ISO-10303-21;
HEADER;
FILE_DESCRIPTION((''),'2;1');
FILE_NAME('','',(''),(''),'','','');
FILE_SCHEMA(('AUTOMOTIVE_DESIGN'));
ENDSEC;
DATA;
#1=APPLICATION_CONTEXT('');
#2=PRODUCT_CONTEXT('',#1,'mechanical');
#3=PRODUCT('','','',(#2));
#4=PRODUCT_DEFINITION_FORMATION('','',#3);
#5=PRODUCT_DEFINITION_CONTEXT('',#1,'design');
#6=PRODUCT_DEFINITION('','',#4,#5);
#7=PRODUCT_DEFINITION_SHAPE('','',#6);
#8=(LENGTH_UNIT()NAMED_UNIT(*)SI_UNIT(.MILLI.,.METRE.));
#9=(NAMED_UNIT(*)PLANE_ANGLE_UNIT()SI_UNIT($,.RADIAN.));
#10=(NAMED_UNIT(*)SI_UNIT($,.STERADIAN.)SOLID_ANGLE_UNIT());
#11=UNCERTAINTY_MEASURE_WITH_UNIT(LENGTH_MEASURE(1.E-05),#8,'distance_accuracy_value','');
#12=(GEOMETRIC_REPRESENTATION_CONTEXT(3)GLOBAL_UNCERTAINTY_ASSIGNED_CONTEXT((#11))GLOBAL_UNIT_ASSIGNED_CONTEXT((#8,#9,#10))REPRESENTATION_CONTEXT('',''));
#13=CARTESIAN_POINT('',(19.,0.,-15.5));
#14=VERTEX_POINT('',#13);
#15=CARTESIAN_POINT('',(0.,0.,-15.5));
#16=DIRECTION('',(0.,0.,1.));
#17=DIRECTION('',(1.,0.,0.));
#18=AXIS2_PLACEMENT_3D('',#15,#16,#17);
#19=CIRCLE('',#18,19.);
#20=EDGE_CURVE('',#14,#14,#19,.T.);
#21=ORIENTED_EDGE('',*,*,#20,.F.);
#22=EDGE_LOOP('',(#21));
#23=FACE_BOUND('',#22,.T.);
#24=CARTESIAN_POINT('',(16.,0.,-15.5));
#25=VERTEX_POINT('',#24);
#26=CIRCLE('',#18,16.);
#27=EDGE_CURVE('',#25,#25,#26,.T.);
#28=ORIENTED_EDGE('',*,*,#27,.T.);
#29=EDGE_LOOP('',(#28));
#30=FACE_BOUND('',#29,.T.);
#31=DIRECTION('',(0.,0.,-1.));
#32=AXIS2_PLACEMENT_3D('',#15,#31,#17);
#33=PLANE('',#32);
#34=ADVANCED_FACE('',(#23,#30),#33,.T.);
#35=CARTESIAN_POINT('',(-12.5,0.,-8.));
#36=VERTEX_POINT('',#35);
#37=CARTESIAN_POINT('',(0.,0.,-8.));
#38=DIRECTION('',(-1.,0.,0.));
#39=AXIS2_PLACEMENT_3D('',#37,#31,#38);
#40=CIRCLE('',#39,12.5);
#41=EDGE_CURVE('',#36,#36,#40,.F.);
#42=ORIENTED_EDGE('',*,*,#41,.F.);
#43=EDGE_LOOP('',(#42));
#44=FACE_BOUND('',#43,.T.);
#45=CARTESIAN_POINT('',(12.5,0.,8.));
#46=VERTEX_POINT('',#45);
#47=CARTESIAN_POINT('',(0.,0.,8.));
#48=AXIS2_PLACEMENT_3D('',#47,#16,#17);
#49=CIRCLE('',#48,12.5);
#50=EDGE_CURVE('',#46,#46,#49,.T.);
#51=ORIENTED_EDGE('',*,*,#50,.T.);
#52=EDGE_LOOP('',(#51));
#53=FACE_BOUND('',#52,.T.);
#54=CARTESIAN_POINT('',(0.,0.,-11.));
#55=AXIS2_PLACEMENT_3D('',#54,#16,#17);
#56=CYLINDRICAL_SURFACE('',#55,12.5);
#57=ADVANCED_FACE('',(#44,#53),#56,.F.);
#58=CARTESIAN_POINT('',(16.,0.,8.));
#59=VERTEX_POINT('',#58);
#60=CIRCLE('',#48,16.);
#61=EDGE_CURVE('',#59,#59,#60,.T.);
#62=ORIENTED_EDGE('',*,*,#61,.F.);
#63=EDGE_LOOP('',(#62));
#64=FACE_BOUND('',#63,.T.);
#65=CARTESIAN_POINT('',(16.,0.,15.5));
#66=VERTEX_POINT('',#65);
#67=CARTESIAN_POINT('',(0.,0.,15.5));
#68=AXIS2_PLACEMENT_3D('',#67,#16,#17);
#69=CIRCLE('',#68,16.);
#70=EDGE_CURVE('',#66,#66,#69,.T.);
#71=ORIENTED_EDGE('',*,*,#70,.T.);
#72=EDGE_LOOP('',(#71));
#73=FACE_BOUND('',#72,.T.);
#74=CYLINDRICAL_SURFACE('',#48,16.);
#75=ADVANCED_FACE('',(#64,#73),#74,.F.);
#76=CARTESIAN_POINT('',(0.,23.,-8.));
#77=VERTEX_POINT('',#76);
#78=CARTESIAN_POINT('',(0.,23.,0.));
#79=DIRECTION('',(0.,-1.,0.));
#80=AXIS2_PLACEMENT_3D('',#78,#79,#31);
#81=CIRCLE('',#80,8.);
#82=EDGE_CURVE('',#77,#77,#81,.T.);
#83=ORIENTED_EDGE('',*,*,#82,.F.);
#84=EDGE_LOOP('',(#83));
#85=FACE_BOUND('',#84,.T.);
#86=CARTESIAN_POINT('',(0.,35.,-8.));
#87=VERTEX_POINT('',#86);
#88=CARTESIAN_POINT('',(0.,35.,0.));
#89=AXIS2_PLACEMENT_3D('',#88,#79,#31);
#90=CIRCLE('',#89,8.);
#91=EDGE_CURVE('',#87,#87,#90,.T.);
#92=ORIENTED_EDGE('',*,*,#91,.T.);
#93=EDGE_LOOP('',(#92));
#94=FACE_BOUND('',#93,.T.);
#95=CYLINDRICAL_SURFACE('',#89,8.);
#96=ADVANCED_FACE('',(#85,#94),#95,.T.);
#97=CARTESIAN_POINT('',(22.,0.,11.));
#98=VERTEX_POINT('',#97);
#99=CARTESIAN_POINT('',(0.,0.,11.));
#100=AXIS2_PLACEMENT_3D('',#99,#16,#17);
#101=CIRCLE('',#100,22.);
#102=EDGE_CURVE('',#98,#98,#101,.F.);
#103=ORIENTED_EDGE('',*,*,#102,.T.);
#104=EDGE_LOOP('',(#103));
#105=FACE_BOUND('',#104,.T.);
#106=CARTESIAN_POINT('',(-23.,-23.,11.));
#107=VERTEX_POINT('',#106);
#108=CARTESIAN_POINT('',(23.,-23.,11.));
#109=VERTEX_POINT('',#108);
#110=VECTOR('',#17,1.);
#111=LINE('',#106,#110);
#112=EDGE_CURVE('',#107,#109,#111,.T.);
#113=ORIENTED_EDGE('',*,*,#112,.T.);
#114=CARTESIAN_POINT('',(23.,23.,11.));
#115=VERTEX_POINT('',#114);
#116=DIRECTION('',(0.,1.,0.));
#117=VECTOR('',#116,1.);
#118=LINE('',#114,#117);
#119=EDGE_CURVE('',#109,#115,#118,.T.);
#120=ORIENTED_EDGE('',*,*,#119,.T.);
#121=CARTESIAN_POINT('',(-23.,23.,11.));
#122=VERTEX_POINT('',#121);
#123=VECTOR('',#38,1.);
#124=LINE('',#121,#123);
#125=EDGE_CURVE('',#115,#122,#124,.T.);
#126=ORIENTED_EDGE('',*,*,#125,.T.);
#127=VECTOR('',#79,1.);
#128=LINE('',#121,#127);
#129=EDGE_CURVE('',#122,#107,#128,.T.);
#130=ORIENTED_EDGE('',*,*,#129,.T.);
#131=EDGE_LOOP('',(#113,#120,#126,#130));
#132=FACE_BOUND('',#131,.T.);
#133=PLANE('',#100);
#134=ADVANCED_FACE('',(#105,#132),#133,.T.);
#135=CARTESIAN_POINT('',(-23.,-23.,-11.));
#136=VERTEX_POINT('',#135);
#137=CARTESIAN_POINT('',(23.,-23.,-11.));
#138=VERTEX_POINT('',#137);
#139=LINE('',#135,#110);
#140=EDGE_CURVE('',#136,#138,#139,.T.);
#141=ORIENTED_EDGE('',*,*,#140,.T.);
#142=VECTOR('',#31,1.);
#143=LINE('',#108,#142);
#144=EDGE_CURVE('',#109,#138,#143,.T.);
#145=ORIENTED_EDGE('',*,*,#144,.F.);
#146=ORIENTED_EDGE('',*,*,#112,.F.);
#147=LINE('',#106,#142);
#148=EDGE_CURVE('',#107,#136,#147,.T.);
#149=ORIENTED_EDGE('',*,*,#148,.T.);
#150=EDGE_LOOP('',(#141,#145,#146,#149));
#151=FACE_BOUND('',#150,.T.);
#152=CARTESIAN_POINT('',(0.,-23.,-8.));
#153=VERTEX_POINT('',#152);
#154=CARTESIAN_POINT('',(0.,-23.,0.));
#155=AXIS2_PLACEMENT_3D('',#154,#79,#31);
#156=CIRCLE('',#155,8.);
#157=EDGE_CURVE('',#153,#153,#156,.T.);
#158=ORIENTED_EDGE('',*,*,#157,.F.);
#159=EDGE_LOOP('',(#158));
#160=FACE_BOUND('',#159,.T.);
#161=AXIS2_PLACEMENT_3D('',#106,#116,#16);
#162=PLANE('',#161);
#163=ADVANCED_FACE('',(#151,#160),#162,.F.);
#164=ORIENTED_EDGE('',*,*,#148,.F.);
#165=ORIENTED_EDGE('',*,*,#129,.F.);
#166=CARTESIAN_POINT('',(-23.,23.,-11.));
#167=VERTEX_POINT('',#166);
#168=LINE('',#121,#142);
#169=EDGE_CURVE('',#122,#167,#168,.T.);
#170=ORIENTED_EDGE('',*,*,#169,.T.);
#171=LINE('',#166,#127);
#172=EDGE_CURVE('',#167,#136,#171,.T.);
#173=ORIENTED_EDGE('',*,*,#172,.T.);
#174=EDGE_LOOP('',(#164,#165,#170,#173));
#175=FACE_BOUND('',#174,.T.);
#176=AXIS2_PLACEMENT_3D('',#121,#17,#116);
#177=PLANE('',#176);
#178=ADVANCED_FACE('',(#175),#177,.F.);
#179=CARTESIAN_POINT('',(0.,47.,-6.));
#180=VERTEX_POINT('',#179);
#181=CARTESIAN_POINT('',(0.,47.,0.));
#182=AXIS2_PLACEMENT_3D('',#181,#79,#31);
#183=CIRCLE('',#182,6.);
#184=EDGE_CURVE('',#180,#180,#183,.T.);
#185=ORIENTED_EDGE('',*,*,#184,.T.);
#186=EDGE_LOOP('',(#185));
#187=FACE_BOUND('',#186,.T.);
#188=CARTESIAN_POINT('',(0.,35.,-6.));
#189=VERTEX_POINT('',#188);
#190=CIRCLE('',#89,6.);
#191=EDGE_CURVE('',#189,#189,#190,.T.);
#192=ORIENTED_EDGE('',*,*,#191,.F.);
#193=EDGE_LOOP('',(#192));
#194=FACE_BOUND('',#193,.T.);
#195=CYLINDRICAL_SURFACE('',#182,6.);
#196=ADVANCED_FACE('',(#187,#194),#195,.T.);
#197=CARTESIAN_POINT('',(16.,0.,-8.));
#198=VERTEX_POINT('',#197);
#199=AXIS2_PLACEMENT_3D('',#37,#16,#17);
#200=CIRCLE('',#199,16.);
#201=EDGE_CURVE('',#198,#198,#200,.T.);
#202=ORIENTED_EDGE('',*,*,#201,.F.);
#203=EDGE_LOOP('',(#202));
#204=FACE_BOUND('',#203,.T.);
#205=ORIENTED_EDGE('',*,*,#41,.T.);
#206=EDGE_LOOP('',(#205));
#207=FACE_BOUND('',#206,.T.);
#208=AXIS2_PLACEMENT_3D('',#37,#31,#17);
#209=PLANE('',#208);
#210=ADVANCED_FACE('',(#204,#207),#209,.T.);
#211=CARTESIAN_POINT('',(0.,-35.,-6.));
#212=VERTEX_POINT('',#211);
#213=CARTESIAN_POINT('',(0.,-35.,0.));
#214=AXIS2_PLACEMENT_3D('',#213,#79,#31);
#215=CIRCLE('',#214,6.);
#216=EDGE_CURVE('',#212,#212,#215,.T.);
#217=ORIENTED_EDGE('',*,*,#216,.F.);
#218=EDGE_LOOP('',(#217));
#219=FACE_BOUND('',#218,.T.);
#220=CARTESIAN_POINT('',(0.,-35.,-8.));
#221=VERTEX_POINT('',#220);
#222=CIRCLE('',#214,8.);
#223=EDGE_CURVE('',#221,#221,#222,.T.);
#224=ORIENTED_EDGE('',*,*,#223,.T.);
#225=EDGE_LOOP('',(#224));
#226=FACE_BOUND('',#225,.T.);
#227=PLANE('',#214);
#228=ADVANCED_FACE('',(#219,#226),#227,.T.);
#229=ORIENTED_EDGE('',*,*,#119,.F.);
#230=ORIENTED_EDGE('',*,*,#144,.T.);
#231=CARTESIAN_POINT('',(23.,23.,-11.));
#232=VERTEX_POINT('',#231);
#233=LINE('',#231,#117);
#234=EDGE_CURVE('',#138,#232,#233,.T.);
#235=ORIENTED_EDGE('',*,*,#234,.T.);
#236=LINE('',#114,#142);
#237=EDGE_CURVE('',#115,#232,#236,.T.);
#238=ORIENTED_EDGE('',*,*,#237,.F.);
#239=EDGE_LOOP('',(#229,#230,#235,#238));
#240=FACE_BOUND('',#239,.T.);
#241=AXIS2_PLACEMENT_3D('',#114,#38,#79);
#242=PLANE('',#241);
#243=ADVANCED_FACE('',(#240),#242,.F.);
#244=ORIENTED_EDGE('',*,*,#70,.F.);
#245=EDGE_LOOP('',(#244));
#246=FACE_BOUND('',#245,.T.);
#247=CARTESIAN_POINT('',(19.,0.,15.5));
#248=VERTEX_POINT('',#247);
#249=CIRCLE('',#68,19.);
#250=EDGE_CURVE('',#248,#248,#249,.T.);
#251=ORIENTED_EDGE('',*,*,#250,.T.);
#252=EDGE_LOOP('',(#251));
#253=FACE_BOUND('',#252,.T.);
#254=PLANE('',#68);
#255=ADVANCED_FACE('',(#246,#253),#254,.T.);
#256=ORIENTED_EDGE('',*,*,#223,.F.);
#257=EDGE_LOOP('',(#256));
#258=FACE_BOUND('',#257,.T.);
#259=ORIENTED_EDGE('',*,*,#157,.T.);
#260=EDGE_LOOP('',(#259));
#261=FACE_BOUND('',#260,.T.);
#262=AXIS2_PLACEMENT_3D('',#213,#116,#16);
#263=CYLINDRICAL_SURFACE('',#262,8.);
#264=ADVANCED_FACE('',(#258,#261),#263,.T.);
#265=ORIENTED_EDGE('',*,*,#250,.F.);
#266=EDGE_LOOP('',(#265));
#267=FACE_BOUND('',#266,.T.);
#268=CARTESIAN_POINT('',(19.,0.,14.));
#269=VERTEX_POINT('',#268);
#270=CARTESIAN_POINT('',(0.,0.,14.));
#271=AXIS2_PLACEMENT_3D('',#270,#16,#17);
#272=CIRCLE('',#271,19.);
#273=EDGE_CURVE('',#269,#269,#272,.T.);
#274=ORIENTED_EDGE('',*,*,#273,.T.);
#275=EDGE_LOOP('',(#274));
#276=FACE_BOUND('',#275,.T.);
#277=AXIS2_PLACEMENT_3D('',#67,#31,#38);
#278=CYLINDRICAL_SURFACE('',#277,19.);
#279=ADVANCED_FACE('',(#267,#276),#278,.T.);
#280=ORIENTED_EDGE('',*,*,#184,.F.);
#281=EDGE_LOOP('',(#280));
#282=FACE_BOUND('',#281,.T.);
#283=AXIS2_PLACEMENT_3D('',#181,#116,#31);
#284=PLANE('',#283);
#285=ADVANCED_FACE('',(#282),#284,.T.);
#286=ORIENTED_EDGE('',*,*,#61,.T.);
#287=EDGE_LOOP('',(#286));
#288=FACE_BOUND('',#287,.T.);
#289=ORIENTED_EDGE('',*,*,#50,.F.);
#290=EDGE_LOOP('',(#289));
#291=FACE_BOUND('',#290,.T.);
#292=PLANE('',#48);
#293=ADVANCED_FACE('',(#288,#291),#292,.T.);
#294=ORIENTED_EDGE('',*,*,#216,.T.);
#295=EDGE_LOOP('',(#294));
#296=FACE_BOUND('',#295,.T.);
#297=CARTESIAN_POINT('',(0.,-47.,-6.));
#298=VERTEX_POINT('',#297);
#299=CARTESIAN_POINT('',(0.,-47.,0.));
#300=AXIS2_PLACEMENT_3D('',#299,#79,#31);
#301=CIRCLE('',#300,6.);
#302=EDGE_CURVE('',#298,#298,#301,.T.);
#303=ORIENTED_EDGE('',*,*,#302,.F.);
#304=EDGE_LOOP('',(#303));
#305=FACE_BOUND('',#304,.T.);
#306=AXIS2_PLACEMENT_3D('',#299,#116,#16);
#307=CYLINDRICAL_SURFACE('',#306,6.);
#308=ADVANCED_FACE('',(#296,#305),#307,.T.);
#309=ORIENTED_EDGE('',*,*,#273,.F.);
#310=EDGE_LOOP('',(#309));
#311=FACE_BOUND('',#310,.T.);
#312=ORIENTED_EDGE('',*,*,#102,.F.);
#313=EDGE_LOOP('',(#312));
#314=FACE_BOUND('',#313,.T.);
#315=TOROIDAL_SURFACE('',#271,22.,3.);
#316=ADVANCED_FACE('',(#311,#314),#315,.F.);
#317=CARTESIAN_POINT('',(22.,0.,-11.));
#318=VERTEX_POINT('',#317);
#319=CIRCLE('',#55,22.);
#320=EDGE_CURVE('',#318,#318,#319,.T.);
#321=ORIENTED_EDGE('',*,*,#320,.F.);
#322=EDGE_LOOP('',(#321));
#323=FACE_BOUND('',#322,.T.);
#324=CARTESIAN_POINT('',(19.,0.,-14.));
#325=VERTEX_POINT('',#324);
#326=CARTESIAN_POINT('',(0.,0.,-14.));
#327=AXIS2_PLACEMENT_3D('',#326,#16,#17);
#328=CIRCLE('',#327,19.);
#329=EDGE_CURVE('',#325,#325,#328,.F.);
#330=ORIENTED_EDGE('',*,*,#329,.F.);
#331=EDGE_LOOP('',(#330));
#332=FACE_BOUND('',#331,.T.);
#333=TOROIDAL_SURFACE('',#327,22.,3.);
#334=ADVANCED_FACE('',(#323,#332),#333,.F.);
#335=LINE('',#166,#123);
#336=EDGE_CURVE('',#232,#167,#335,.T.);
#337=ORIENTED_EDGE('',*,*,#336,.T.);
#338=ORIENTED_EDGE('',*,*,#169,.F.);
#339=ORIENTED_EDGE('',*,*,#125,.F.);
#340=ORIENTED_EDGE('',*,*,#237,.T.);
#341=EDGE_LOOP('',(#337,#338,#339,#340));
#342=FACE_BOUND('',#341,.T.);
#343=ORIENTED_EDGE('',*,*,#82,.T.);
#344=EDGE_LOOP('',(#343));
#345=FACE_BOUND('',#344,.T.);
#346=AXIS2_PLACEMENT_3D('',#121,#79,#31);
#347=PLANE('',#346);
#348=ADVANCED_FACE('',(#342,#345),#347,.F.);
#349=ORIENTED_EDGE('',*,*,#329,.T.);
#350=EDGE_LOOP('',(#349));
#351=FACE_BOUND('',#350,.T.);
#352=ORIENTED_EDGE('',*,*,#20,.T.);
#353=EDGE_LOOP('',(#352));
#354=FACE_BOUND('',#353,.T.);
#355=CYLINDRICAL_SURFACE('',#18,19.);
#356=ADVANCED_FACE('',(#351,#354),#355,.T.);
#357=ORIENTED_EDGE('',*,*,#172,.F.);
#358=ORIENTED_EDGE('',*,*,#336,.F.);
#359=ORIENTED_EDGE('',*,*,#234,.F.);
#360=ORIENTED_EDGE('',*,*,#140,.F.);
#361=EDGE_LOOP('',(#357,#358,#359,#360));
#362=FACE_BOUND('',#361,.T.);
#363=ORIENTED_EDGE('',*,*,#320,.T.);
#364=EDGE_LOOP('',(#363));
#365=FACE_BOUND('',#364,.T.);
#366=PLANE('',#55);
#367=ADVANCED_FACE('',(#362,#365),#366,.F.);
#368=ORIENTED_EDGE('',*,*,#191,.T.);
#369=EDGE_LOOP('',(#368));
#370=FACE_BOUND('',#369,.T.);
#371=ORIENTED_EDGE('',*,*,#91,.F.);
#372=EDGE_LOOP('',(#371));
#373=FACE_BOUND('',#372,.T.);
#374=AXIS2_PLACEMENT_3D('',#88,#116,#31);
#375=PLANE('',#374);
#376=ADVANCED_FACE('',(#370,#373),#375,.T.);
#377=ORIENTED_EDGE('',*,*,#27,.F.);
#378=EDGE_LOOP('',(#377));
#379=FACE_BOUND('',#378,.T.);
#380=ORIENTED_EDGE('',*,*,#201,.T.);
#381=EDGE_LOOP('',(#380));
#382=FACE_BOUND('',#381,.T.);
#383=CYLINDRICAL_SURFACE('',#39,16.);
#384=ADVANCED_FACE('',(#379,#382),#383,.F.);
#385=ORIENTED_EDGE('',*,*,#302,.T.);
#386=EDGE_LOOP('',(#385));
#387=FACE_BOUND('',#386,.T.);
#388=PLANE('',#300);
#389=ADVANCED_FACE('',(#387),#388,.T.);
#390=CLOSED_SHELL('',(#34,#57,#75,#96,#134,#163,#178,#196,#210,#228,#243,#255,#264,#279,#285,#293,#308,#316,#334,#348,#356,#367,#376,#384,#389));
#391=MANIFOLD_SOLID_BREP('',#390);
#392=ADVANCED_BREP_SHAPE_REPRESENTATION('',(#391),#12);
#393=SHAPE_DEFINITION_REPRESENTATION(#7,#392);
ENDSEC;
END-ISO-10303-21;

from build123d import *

# Parameters (mm, degrees)
SKETCH1_W           = 46
SKETCH1_H           = 46
BOSS_EXTRUDE1_DEPTH = 11
SKETCH2_R           = 16
CUT_EXTRUDE1_DEPTH  = 3
SKETCH3_R           = 12.5
CUT_EXTRUDE2_DEPTH  = 38.669616404
SKETCH4_R           = 8
BOSS_EXTRUDE2_DEPTH = 12
SKETCH6_R           = 19
BOSS_EXTRUDE5_DEPTH = 4.5
SKETCH8_R           = 16
CUT_EXTRUDE6_DEPTH  = 7.5
FILLET1_R           = 3
SKETCH9_R           = 6
BOSS_EXTRUDE6_DEPTH = 12


with BuildPart() as part:
    # Sketch1 → Boss-Extrude1 (new, symmetric)
    with BuildSketch(Plane.XY):
        Rectangle(SKETCH1_W, SKETCH1_H)
    extrude(amount=BOSS_EXTRUDE1_DEPTH, both=True)

    # Sketch2 → Cut-Extrude1 (cut)
    with BuildSketch(Plane.XY.offset(11)):
        Circle(SKETCH2_R)
    extrude(amount=-CUT_EXTRUDE1_DEPTH, mode=Mode.SUBTRACT)

    # Sketch3 → Cut-Extrude2 (cut, through all)
    with BuildSketch(Plane.XY.offset(8)):
        Circle(SKETCH3_R)
    extrude(amount=-CUT_EXTRUDE2_DEPTH, mode=Mode.SUBTRACT)

    # Sketch4 → Boss-Extrude2 (add)
    with BuildSketch(Plane.XZ.offset(23)):
        with Locations(Location((0, 0, 0), (0, 0, 270))):
            Circle(SKETCH4_R)
    boss_extrude2 = extrude(amount=BOSS_EXTRUDE2_DEPTH)

    # Sketch6 → Boss-Extrude5 (add)
    with BuildSketch(Plane.XY.offset(11)):
        Circle(SKETCH6_R)
    boss_extrude5 = extrude(amount=BOSS_EXTRUDE5_DEPTH)

    # Sketch8 → Cut-Extrude6 (cut)
    with BuildSketch(Plane.XY.offset(15.5)):
        Circle(SKETCH8_R)
    cut_extrude6 = extrude(amount=-CUT_EXTRUDE6_DEPTH, mode=Mode.SUBTRACT)

    # Mirror2: Boss-Extrude5 across plane
    add(boss_extrude5.mirror(Plane.XY))

    # Mirror3: Cut-Extrude6 across plane
    add(cut_extrude6.mirror(Plane.XY), mode=Mode.SUBTRACT)

    # Fillet1
    fillet1_edges = [part.edges().sort_by_distance(p)[0] for p in [
        (-19, 0, 11),
        (-19, 0, -11),
    ]]
    fillet(fillet1_edges, radius=FILLET1_R)

    # Sketch9 → Boss-Extrude6 (add)
    with BuildSketch(Plane.XZ.offset(35)):
        with Locations(Location((0, 0, 0), (0, 0, 270))):
            Circle(SKETCH9_R)
    boss_extrude6 = extrude(amount=BOSS_EXTRUDE6_DEPTH)

    # Mirror4: Boss-Extrude2, Boss-Extrude6 across plane
    add(boss_extrude2.mirror(Plane.ZX))
    add(boss_extrude6.mirror(Plane.ZX))


solid = part.part
